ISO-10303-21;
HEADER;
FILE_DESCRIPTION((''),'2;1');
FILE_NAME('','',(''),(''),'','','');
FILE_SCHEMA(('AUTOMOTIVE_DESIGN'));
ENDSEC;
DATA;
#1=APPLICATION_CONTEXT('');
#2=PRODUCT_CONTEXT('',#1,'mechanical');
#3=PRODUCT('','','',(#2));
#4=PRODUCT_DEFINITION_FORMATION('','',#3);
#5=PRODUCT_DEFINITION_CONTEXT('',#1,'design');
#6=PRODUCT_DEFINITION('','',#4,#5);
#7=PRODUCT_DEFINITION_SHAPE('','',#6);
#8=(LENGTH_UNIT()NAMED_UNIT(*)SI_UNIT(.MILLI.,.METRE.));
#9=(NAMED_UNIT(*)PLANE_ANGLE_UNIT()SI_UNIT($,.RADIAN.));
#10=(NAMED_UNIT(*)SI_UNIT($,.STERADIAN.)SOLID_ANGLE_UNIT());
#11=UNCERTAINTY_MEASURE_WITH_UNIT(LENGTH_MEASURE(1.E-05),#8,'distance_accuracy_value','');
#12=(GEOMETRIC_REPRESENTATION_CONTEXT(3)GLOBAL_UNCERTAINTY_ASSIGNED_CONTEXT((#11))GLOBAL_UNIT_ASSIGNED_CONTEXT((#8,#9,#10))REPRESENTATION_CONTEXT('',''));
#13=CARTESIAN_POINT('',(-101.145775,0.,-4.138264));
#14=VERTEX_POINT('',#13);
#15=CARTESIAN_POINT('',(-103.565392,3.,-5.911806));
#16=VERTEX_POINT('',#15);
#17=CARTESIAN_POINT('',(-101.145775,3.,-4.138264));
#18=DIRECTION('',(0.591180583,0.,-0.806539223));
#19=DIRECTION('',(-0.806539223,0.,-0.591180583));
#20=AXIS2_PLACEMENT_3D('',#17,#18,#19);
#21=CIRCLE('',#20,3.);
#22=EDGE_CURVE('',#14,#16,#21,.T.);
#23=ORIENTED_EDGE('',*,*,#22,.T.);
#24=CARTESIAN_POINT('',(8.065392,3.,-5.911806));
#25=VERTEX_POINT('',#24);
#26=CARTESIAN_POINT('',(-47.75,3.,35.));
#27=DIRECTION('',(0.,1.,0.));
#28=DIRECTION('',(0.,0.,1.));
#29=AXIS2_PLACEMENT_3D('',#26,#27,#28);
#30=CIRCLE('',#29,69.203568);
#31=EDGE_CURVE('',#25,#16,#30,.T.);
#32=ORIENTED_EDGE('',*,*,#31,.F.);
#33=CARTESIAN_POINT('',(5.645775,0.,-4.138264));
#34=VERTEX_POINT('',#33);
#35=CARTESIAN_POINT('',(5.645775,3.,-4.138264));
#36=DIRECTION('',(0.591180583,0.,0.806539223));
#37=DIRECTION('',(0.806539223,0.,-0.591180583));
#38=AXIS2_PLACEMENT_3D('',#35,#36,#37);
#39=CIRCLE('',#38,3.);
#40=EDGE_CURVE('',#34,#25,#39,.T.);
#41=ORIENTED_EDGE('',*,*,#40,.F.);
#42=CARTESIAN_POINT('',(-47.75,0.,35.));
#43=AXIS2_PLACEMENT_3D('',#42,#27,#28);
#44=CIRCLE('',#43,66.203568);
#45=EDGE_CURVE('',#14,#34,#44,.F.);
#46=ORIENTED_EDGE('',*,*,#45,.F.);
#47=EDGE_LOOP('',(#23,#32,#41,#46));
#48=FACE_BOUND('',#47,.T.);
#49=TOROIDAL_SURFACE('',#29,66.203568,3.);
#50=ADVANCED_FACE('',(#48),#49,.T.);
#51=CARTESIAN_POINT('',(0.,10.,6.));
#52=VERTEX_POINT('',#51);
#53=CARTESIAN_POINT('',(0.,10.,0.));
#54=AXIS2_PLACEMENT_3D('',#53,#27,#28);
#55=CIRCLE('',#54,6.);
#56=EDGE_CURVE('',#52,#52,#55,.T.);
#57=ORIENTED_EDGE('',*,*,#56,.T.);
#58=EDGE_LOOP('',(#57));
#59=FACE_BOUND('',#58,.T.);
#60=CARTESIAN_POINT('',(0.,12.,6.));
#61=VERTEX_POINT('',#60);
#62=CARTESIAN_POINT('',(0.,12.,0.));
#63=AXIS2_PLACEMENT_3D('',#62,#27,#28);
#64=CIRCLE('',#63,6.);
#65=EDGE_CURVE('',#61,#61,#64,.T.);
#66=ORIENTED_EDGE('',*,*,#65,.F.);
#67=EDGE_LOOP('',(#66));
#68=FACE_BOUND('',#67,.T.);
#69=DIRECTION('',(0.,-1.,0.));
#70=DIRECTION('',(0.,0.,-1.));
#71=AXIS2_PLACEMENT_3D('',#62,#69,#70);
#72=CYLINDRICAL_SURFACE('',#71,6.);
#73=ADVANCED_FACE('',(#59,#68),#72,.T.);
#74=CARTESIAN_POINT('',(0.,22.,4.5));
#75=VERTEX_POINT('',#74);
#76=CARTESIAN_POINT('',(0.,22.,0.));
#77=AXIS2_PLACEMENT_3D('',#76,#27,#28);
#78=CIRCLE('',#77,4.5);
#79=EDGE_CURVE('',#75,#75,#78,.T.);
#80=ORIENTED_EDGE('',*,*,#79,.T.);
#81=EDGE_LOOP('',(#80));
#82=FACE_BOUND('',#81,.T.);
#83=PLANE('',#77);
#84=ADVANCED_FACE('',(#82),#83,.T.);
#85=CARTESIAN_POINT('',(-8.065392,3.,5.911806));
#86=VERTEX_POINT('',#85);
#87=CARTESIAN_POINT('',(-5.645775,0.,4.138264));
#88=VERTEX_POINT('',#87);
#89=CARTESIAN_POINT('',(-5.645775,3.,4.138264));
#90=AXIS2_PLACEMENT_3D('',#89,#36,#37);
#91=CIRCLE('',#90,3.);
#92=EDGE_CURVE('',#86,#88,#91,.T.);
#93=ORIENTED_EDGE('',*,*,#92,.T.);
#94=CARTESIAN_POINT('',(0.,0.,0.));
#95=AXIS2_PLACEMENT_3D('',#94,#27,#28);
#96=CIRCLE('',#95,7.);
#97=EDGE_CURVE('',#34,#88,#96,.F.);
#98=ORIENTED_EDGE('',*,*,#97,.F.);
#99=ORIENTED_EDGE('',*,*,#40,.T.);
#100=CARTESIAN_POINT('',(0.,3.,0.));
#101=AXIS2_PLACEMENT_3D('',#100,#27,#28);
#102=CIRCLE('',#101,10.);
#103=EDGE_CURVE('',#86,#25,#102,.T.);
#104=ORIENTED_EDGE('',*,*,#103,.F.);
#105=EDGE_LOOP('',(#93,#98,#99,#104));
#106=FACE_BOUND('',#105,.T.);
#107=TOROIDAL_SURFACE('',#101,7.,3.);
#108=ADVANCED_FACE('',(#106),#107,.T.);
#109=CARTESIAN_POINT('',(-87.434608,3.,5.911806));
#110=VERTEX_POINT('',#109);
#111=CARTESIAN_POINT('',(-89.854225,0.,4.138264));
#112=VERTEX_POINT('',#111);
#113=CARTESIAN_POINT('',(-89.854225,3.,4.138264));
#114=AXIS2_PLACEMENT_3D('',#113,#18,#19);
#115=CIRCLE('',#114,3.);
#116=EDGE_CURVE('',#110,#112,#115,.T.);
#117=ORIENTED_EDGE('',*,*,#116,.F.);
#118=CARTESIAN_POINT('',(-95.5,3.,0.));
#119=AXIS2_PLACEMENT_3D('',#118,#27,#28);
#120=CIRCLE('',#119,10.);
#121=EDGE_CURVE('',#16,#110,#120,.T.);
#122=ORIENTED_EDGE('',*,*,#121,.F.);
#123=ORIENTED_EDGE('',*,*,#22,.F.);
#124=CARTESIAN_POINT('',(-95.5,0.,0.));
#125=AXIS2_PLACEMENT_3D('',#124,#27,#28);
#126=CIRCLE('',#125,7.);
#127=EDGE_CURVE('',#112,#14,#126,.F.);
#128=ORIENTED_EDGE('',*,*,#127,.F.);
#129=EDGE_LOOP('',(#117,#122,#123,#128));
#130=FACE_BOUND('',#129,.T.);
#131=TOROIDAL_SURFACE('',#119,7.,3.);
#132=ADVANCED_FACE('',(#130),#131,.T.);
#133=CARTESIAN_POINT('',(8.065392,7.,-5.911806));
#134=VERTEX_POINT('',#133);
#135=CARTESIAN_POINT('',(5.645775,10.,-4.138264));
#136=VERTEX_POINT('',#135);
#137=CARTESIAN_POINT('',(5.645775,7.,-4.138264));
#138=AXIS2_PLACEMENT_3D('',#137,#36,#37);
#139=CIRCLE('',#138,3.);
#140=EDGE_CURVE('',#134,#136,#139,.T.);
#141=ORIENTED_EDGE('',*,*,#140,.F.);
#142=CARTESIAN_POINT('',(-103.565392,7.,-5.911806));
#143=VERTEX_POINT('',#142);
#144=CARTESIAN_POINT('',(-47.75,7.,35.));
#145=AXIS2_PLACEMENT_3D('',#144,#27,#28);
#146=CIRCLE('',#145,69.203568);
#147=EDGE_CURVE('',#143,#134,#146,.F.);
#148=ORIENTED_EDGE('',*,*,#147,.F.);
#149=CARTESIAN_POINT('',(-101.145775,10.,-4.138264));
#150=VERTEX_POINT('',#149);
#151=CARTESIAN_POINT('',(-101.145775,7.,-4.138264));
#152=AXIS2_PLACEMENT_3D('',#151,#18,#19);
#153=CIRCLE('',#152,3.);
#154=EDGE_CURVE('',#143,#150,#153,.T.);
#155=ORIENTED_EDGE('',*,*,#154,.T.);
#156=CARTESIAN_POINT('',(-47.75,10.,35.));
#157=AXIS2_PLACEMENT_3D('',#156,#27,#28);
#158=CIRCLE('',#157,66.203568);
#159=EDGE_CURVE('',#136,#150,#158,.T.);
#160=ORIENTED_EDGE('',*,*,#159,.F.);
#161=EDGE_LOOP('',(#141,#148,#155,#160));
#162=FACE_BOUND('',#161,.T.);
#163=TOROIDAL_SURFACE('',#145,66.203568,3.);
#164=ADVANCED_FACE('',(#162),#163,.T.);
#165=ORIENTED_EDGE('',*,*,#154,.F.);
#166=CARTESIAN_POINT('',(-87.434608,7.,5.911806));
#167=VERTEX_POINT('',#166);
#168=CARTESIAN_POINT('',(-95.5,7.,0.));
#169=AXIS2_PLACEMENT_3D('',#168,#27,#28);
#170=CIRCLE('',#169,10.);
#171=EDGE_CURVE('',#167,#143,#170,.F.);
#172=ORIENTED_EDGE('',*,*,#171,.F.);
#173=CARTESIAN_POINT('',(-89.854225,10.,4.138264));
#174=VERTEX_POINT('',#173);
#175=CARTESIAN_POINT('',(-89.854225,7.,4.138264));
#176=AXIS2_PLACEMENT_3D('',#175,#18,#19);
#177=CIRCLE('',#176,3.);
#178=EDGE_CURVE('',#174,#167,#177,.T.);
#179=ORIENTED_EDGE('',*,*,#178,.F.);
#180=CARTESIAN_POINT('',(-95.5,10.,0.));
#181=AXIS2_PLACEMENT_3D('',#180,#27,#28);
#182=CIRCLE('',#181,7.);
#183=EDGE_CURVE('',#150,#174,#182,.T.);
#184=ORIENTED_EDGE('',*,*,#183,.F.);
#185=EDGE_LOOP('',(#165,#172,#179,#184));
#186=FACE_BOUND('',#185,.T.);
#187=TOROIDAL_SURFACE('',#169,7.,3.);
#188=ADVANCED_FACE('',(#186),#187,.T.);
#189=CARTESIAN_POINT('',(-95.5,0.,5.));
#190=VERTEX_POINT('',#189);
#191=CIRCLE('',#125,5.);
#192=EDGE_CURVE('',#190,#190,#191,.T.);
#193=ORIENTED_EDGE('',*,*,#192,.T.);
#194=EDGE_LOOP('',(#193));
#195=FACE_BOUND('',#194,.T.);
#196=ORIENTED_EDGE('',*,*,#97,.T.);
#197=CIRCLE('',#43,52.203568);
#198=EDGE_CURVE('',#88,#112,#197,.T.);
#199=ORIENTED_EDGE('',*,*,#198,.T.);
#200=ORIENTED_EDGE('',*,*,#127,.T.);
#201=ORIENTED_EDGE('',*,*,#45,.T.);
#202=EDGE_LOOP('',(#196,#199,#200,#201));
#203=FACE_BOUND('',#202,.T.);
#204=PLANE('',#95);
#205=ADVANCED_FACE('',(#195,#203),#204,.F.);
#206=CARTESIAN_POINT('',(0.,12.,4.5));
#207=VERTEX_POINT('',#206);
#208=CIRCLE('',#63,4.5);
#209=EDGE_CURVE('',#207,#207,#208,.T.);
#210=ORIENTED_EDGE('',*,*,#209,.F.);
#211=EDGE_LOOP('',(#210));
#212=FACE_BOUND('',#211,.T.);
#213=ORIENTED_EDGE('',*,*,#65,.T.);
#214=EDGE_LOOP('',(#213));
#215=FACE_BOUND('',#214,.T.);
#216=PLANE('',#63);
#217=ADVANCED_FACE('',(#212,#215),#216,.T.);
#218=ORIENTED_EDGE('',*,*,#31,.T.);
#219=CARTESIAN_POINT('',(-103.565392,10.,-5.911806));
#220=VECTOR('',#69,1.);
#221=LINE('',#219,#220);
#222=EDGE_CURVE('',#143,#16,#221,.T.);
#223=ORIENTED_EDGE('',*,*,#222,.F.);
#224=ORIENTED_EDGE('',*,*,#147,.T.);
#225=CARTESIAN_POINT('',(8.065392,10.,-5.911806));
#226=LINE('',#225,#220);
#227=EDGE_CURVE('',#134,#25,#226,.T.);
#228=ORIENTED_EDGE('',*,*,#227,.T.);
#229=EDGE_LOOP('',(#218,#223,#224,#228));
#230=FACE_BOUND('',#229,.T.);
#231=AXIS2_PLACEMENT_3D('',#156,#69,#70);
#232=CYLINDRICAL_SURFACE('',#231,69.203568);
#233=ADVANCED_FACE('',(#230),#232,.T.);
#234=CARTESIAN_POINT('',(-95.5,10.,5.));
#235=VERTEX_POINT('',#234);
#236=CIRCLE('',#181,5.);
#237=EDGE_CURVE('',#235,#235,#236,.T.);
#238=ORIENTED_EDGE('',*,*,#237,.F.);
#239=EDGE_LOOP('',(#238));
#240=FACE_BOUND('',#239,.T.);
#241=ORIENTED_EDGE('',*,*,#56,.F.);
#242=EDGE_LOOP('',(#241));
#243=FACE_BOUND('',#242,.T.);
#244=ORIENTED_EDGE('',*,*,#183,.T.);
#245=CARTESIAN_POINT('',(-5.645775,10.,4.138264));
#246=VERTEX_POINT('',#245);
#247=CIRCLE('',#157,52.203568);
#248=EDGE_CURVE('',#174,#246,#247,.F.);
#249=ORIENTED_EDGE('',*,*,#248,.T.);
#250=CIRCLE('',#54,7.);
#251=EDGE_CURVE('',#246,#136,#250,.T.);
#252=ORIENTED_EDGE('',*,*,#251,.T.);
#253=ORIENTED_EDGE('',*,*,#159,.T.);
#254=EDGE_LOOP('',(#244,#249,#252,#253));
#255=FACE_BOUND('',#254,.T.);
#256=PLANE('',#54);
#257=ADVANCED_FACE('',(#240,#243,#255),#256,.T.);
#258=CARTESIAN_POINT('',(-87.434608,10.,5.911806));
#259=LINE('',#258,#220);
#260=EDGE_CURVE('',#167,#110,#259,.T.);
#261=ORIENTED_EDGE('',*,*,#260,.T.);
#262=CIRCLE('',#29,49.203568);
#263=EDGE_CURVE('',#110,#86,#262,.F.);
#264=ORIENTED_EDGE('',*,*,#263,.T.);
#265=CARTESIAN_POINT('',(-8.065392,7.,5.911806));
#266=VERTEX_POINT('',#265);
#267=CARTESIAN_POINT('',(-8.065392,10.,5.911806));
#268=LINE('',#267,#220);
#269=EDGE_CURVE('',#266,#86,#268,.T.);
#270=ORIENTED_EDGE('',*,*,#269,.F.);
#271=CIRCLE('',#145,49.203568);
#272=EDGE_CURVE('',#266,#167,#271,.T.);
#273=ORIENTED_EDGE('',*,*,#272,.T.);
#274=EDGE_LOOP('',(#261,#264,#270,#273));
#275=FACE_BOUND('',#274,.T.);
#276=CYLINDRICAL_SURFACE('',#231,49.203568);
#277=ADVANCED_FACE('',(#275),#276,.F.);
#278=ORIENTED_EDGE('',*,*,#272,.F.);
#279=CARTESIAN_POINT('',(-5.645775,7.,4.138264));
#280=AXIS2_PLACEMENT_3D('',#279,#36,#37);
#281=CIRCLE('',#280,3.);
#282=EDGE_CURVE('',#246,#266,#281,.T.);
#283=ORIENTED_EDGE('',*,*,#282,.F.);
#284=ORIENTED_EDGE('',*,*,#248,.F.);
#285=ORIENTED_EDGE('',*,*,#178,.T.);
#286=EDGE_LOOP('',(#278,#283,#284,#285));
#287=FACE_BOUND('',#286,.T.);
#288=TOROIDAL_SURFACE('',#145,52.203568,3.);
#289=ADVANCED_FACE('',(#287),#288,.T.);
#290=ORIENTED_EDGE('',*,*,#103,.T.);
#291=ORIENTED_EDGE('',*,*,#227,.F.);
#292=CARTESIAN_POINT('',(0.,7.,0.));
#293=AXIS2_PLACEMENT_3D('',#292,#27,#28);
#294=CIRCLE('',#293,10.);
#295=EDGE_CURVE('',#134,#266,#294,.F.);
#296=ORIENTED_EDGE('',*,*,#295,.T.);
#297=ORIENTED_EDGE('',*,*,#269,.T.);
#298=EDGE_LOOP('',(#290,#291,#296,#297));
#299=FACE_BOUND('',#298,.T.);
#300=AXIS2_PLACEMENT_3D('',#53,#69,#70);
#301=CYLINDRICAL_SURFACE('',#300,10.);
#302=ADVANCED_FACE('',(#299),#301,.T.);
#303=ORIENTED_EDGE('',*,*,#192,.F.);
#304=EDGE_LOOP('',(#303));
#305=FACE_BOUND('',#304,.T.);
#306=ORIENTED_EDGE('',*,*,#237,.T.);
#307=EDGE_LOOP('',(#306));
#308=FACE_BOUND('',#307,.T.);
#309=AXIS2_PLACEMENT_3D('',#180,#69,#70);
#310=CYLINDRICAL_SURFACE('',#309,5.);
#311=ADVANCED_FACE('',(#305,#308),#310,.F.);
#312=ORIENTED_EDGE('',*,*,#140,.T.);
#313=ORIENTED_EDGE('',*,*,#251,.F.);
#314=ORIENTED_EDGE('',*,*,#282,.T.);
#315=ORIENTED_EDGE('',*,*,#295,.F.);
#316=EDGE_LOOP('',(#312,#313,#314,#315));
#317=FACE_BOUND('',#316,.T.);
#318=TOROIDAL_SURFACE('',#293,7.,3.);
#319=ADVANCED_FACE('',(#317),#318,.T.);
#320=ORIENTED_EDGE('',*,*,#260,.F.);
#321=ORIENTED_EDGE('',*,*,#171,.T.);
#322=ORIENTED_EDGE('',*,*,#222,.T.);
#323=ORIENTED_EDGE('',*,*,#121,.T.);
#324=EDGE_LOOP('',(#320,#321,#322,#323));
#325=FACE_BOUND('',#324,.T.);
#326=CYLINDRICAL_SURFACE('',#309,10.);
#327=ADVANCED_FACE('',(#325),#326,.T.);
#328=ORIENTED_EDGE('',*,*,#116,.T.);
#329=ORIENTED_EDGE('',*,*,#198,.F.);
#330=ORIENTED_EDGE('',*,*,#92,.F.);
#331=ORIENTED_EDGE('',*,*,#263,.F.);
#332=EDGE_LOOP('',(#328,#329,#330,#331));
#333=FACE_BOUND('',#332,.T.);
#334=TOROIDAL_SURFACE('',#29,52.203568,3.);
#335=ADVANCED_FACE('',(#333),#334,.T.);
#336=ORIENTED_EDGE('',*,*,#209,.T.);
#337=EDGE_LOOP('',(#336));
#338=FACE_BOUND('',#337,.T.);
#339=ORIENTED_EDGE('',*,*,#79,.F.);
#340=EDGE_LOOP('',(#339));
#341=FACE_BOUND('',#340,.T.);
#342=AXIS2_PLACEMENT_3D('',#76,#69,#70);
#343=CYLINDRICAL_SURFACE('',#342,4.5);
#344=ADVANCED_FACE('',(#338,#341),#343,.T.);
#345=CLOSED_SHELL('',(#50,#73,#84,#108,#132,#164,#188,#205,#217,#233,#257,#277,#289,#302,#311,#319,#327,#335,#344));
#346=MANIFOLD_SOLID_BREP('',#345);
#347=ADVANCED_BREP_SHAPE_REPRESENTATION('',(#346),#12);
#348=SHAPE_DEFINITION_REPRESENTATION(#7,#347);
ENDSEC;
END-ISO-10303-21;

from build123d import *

# Parameters (mm, degrees)
SKETCH2_R           = 5
BOSS_EXTRUDE1_DEPTH = 10
FILLET1_R           = 3
SKETCH3_R           = 5
BOSS_EXTRUDE2_DEPTH = 10
SKETCH4_R           = 6
SKETCH4_R_2         = 4.5
BOSS_EXTRUDE3_DEPTH = 2
SKETCH6_R           = 4.5
BOSS_EXTRUDE4_DEPTH = 12


with BuildPart() as part:
    # Sketch2 → Boss-Extrude1 (new body)
    with BuildSketch(Plane(origin=(0, 0, 0), x_dir=(1, 0, 0), z_dir=(0, 1, 0))):
        with BuildLine():
            ThreePointArc((-8.065392234, -5.911805826), (5.911805826, -8.065392234), (8.065392234, 5.911805826))
            ThreePointArc((8.065392234, 5.911805826), (-47.75, 34.203568305), (-103.565392234, 5.911805826))
            ThreePointArc((-103.565392234, 5.911805826), (-101.411805826, -8.065392234), (-87.434607766, -5.911805826))
            ThreePointArc((-87.434607766, -5.911805826), (-47.75, 14.203568305), (-8.065392234, -5.911805826))
        make_face()
        with Locations((-95.5, 0)):
            Circle(SKETCH2_R, mode=Mode.SUBTRACT)
        Circle(SKETCH2_R, mode=Mode.SUBTRACT)
    extrude(amount=BOSS_EXTRUDE1_DEPTH)

    # Fillet1
    fillet1_edges = [part.edges().sort_by_distance(p)[0] for p in [
        (5.911805826, 10, 8.065392234),
        (-47.75, 10, -34.203568305),
        (-101.411805826, 10, 8.065392234),
        (-47.75, 10, -14.203568305),
        (-47.75, 0, -14.203568305),
        (-101.411805826, 0, 8.065392234),
        (-47.75, 0, -34.203568305),
        (5.911805826, 0, 8.065392234),
    ]]
    fillet(fillet1_edges, radius=FILLET1_R)

    # Sketch3 → Boss-Extrude2 (add)
    with BuildSketch(Plane(origin=(0, 10, 0), x_dir=(1, 0, 0), z_dir=(0, 1, 0))):
        Circle(SKETCH3_R)
    extrude(amount=-BOSS_EXTRUDE2_DEPTH)

    # Sketch4 → Boss-Extrude3 (add)
    with BuildSketch(Plane(origin=(0, 10, 0), x_dir=(1, 0, 0), z_dir=(0, 1, 0))):
        Circle(SKETCH4_R)
        Circle(SKETCH4_R_2, mode=Mode.SUBTRACT)
    extrude(amount=BOSS_EXTRUDE3_DEPTH)

    # Sketch6 → Boss-Extrude4 (add)
    with BuildSketch(Plane(origin=(0, 10, 0), x_dir=(1, 0, 0), z_dir=(0, 1, 0))):
        Circle(SKETCH6_R)
    extrude(amount=BOSS_EXTRUDE4_DEPTH)


solid = part.part
